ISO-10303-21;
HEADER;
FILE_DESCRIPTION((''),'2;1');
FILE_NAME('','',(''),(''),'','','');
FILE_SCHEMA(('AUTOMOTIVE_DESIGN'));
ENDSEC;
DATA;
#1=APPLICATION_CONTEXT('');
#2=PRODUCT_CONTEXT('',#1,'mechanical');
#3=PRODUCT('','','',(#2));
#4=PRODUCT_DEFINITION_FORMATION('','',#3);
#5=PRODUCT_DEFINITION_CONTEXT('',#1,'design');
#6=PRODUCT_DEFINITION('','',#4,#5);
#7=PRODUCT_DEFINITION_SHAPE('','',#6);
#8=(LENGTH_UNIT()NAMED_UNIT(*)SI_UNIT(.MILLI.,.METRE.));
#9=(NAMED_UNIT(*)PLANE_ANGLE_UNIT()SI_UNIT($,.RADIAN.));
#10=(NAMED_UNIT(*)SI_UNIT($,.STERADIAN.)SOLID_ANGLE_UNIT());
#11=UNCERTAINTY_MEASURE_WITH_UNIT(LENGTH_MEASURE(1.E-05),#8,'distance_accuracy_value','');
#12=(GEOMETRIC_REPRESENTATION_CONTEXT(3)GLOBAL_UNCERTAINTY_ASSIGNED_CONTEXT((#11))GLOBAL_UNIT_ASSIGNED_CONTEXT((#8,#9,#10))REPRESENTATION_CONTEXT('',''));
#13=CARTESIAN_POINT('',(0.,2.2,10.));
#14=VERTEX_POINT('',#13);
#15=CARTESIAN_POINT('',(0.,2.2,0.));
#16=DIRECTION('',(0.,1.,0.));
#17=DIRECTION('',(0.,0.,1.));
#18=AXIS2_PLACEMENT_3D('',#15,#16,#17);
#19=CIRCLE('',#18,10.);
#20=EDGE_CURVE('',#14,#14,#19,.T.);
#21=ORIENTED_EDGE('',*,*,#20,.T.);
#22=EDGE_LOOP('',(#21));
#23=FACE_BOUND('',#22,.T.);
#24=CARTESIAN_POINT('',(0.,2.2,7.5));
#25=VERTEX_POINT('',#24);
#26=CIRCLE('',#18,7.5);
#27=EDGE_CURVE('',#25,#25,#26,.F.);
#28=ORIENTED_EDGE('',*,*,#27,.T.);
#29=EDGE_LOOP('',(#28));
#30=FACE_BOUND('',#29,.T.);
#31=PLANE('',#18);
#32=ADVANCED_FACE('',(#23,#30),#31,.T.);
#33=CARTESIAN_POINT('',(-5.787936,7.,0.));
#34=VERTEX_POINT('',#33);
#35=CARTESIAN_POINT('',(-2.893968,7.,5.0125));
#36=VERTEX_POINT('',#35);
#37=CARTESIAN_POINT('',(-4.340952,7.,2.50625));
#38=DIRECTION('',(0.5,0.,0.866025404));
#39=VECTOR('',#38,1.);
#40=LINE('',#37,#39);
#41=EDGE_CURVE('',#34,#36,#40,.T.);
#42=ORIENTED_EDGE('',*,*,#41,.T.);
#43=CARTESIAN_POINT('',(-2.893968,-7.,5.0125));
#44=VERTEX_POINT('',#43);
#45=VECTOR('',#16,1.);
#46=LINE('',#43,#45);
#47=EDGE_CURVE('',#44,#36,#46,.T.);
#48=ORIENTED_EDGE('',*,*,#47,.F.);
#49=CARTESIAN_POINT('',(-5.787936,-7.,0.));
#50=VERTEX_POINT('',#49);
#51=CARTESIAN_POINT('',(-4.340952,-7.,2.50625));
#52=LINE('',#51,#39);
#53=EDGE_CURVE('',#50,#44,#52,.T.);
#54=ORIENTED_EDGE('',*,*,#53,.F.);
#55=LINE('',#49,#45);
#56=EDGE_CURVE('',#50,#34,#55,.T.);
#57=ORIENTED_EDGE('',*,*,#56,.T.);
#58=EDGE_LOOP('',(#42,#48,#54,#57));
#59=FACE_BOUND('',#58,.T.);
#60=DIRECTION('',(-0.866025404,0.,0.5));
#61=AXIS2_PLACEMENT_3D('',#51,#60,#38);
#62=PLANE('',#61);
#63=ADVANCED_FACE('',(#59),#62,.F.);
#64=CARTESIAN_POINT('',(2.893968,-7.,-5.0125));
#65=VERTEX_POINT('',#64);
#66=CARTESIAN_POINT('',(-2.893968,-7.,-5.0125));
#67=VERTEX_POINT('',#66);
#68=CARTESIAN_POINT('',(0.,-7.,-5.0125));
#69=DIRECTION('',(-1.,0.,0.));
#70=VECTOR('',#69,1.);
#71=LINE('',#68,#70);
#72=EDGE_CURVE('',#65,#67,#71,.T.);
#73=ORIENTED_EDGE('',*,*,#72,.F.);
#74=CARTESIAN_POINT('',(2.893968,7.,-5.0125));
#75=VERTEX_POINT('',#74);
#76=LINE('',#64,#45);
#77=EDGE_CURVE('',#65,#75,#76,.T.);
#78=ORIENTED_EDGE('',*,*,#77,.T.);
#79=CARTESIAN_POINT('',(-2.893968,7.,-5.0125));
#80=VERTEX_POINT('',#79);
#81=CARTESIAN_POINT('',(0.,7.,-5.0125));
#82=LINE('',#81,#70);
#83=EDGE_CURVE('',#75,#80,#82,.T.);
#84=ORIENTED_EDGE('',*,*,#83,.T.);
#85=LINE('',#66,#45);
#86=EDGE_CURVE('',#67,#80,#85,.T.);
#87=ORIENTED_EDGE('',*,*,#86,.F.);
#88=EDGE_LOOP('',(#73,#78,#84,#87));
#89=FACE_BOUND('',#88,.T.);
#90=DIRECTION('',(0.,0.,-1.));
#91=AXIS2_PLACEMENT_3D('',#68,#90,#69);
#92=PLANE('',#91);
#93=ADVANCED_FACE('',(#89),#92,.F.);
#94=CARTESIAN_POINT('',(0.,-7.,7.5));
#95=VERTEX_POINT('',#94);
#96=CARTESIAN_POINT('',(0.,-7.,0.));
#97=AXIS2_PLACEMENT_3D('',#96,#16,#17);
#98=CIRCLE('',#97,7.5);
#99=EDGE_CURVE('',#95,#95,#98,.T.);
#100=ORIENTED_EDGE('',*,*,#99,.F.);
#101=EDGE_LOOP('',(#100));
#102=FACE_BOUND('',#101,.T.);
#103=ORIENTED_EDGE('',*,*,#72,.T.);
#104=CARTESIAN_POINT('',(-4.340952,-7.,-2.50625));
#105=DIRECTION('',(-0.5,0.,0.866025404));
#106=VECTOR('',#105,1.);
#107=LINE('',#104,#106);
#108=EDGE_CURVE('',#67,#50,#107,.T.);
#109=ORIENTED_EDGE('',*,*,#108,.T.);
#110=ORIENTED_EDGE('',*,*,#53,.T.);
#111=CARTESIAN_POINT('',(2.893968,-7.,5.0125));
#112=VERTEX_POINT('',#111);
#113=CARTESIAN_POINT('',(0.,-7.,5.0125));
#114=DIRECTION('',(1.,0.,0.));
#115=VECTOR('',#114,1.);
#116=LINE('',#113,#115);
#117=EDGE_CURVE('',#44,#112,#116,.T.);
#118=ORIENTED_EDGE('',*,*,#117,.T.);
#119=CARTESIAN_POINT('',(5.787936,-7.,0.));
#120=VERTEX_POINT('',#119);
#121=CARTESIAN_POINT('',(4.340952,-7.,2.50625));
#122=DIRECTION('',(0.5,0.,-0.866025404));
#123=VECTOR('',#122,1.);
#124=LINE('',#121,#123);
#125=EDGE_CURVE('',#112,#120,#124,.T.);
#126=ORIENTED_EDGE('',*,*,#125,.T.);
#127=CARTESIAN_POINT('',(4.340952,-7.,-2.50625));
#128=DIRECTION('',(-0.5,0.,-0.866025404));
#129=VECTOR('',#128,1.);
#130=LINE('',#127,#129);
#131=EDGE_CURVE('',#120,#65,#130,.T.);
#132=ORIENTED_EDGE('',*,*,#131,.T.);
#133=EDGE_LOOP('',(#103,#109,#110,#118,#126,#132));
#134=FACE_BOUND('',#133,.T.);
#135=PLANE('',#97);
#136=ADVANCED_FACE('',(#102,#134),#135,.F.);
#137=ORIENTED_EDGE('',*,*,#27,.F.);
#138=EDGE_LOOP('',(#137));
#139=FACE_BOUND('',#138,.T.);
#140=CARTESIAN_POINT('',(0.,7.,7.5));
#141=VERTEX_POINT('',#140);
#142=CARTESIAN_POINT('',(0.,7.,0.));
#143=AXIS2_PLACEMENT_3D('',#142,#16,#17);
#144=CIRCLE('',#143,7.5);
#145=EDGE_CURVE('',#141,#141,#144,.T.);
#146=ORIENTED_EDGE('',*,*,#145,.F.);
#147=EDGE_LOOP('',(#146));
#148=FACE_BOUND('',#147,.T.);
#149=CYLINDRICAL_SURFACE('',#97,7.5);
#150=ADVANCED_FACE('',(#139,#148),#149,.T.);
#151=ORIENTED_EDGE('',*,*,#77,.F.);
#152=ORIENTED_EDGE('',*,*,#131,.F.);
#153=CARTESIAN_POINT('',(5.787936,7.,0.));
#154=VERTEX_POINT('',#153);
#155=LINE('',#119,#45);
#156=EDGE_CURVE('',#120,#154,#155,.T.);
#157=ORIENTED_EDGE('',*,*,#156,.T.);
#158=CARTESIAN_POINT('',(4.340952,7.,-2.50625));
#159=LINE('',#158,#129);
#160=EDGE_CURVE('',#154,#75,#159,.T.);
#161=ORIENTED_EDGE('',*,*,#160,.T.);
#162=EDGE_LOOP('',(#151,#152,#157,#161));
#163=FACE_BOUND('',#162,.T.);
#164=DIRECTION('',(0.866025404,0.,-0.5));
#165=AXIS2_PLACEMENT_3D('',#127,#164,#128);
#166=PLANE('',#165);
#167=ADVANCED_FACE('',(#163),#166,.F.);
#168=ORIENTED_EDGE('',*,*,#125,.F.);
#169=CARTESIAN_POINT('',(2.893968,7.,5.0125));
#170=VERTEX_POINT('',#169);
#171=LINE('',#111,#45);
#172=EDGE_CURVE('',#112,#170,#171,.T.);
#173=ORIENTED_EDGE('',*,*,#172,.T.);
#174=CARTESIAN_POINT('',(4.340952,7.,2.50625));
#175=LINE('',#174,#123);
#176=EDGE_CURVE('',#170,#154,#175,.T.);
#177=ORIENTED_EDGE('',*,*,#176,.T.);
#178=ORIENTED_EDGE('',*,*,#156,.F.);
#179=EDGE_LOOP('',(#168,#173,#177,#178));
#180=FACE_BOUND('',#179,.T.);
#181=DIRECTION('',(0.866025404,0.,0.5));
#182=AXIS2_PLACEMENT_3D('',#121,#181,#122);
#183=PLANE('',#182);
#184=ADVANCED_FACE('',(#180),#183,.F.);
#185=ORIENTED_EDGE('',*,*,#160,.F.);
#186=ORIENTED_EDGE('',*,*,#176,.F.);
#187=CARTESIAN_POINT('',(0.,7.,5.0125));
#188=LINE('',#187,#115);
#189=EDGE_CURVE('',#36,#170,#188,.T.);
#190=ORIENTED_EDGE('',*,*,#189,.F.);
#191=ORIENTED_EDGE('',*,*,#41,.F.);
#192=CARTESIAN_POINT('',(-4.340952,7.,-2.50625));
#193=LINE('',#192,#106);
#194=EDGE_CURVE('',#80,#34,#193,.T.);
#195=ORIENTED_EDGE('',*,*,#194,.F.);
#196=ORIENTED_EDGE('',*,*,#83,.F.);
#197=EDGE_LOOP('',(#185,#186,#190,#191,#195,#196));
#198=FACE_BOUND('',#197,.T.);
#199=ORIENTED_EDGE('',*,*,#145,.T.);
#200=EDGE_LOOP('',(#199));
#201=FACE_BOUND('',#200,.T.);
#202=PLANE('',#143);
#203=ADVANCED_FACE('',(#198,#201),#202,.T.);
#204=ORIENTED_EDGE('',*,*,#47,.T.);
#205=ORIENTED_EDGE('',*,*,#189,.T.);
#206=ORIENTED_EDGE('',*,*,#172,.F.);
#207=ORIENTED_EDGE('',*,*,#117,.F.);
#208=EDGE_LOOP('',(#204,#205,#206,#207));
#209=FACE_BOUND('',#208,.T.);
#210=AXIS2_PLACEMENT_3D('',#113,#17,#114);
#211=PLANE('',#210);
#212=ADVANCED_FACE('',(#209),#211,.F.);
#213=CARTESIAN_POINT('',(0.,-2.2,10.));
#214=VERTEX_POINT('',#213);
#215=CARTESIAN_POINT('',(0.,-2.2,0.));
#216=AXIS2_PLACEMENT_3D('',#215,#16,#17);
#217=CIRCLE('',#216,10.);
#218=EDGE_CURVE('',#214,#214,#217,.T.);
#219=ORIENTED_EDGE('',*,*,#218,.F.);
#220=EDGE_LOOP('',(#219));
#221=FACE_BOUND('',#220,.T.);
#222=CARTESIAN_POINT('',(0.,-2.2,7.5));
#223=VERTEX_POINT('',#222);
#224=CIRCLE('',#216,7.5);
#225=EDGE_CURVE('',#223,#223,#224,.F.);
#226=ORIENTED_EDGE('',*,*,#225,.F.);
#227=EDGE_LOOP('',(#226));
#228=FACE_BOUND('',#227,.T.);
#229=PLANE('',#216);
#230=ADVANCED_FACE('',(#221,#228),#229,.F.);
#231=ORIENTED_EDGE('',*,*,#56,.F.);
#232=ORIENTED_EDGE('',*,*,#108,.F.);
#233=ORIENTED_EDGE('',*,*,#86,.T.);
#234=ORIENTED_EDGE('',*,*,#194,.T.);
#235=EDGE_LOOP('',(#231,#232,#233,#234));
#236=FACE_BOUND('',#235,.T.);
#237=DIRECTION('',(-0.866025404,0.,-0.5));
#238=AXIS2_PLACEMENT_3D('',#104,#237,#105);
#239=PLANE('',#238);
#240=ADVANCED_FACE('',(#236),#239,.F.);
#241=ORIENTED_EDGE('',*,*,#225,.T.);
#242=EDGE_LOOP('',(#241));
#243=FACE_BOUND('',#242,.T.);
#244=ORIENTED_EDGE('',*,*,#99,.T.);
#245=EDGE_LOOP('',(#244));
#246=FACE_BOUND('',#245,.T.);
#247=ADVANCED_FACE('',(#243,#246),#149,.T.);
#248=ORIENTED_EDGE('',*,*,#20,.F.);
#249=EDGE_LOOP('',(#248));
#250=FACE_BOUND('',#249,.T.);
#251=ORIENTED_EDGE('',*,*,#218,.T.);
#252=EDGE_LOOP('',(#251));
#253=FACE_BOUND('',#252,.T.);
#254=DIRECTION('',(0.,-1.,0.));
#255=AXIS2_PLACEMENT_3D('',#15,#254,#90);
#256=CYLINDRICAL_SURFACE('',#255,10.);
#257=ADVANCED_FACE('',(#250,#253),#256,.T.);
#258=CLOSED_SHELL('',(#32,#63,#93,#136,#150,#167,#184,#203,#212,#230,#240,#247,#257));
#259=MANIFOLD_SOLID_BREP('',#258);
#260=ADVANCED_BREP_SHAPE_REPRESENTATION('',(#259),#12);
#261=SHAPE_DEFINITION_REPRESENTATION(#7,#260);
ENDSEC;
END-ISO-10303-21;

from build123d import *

# Parameters (mm, degrees)
SKETCH1_R           = 7.5
BOSS_EXTRUDE1_DEPTH = 7
SKETCH1_3_R         = 10
BOSS_EXTRUDE2_DEPTH = 2.2


with BuildPart() as part:
    # Sketch1 → Boss-Extrude1 (new, symmetric)
    with BuildSketch(Plane(origin=(0, 0, 0), x_dir=(1, 0, 0), z_dir=(0, 1, 0))):
        Circle(SKETCH1_R)
        Polygon((2.893968224, -5.0125), (-2.893968224, -5.0125), (-5.787936449, 0), (-2.893968224, 5.0125), (2.893968224, 5.0125), (5.787936449, 0), align=None, mode=Mode.SUBTRACT)
    extrude(amount=BOSS_EXTRUDE1_DEPTH, both=True)

    # Sketch1<3> → Boss-Extrude2 (add, symmetric)
    with BuildSketch(Plane(origin=(0, 0, 0), x_dir=(1, 0, 0), z_dir=(0, 1, 0))):
        Circle(SKETCH1_3_R)
        Polygon((2.893968224, -5.0125), (-2.893968224, -5.0125), (-5.787936449, 0), (-2.893968224, 5.0125), (2.893968224, 5.0125), (5.787936449, 0), align=None, mode=Mode.SUBTRACT)
    extrude(amount=BOSS_EXTRUDE2_DEPTH, both=True)


solid = part.part
